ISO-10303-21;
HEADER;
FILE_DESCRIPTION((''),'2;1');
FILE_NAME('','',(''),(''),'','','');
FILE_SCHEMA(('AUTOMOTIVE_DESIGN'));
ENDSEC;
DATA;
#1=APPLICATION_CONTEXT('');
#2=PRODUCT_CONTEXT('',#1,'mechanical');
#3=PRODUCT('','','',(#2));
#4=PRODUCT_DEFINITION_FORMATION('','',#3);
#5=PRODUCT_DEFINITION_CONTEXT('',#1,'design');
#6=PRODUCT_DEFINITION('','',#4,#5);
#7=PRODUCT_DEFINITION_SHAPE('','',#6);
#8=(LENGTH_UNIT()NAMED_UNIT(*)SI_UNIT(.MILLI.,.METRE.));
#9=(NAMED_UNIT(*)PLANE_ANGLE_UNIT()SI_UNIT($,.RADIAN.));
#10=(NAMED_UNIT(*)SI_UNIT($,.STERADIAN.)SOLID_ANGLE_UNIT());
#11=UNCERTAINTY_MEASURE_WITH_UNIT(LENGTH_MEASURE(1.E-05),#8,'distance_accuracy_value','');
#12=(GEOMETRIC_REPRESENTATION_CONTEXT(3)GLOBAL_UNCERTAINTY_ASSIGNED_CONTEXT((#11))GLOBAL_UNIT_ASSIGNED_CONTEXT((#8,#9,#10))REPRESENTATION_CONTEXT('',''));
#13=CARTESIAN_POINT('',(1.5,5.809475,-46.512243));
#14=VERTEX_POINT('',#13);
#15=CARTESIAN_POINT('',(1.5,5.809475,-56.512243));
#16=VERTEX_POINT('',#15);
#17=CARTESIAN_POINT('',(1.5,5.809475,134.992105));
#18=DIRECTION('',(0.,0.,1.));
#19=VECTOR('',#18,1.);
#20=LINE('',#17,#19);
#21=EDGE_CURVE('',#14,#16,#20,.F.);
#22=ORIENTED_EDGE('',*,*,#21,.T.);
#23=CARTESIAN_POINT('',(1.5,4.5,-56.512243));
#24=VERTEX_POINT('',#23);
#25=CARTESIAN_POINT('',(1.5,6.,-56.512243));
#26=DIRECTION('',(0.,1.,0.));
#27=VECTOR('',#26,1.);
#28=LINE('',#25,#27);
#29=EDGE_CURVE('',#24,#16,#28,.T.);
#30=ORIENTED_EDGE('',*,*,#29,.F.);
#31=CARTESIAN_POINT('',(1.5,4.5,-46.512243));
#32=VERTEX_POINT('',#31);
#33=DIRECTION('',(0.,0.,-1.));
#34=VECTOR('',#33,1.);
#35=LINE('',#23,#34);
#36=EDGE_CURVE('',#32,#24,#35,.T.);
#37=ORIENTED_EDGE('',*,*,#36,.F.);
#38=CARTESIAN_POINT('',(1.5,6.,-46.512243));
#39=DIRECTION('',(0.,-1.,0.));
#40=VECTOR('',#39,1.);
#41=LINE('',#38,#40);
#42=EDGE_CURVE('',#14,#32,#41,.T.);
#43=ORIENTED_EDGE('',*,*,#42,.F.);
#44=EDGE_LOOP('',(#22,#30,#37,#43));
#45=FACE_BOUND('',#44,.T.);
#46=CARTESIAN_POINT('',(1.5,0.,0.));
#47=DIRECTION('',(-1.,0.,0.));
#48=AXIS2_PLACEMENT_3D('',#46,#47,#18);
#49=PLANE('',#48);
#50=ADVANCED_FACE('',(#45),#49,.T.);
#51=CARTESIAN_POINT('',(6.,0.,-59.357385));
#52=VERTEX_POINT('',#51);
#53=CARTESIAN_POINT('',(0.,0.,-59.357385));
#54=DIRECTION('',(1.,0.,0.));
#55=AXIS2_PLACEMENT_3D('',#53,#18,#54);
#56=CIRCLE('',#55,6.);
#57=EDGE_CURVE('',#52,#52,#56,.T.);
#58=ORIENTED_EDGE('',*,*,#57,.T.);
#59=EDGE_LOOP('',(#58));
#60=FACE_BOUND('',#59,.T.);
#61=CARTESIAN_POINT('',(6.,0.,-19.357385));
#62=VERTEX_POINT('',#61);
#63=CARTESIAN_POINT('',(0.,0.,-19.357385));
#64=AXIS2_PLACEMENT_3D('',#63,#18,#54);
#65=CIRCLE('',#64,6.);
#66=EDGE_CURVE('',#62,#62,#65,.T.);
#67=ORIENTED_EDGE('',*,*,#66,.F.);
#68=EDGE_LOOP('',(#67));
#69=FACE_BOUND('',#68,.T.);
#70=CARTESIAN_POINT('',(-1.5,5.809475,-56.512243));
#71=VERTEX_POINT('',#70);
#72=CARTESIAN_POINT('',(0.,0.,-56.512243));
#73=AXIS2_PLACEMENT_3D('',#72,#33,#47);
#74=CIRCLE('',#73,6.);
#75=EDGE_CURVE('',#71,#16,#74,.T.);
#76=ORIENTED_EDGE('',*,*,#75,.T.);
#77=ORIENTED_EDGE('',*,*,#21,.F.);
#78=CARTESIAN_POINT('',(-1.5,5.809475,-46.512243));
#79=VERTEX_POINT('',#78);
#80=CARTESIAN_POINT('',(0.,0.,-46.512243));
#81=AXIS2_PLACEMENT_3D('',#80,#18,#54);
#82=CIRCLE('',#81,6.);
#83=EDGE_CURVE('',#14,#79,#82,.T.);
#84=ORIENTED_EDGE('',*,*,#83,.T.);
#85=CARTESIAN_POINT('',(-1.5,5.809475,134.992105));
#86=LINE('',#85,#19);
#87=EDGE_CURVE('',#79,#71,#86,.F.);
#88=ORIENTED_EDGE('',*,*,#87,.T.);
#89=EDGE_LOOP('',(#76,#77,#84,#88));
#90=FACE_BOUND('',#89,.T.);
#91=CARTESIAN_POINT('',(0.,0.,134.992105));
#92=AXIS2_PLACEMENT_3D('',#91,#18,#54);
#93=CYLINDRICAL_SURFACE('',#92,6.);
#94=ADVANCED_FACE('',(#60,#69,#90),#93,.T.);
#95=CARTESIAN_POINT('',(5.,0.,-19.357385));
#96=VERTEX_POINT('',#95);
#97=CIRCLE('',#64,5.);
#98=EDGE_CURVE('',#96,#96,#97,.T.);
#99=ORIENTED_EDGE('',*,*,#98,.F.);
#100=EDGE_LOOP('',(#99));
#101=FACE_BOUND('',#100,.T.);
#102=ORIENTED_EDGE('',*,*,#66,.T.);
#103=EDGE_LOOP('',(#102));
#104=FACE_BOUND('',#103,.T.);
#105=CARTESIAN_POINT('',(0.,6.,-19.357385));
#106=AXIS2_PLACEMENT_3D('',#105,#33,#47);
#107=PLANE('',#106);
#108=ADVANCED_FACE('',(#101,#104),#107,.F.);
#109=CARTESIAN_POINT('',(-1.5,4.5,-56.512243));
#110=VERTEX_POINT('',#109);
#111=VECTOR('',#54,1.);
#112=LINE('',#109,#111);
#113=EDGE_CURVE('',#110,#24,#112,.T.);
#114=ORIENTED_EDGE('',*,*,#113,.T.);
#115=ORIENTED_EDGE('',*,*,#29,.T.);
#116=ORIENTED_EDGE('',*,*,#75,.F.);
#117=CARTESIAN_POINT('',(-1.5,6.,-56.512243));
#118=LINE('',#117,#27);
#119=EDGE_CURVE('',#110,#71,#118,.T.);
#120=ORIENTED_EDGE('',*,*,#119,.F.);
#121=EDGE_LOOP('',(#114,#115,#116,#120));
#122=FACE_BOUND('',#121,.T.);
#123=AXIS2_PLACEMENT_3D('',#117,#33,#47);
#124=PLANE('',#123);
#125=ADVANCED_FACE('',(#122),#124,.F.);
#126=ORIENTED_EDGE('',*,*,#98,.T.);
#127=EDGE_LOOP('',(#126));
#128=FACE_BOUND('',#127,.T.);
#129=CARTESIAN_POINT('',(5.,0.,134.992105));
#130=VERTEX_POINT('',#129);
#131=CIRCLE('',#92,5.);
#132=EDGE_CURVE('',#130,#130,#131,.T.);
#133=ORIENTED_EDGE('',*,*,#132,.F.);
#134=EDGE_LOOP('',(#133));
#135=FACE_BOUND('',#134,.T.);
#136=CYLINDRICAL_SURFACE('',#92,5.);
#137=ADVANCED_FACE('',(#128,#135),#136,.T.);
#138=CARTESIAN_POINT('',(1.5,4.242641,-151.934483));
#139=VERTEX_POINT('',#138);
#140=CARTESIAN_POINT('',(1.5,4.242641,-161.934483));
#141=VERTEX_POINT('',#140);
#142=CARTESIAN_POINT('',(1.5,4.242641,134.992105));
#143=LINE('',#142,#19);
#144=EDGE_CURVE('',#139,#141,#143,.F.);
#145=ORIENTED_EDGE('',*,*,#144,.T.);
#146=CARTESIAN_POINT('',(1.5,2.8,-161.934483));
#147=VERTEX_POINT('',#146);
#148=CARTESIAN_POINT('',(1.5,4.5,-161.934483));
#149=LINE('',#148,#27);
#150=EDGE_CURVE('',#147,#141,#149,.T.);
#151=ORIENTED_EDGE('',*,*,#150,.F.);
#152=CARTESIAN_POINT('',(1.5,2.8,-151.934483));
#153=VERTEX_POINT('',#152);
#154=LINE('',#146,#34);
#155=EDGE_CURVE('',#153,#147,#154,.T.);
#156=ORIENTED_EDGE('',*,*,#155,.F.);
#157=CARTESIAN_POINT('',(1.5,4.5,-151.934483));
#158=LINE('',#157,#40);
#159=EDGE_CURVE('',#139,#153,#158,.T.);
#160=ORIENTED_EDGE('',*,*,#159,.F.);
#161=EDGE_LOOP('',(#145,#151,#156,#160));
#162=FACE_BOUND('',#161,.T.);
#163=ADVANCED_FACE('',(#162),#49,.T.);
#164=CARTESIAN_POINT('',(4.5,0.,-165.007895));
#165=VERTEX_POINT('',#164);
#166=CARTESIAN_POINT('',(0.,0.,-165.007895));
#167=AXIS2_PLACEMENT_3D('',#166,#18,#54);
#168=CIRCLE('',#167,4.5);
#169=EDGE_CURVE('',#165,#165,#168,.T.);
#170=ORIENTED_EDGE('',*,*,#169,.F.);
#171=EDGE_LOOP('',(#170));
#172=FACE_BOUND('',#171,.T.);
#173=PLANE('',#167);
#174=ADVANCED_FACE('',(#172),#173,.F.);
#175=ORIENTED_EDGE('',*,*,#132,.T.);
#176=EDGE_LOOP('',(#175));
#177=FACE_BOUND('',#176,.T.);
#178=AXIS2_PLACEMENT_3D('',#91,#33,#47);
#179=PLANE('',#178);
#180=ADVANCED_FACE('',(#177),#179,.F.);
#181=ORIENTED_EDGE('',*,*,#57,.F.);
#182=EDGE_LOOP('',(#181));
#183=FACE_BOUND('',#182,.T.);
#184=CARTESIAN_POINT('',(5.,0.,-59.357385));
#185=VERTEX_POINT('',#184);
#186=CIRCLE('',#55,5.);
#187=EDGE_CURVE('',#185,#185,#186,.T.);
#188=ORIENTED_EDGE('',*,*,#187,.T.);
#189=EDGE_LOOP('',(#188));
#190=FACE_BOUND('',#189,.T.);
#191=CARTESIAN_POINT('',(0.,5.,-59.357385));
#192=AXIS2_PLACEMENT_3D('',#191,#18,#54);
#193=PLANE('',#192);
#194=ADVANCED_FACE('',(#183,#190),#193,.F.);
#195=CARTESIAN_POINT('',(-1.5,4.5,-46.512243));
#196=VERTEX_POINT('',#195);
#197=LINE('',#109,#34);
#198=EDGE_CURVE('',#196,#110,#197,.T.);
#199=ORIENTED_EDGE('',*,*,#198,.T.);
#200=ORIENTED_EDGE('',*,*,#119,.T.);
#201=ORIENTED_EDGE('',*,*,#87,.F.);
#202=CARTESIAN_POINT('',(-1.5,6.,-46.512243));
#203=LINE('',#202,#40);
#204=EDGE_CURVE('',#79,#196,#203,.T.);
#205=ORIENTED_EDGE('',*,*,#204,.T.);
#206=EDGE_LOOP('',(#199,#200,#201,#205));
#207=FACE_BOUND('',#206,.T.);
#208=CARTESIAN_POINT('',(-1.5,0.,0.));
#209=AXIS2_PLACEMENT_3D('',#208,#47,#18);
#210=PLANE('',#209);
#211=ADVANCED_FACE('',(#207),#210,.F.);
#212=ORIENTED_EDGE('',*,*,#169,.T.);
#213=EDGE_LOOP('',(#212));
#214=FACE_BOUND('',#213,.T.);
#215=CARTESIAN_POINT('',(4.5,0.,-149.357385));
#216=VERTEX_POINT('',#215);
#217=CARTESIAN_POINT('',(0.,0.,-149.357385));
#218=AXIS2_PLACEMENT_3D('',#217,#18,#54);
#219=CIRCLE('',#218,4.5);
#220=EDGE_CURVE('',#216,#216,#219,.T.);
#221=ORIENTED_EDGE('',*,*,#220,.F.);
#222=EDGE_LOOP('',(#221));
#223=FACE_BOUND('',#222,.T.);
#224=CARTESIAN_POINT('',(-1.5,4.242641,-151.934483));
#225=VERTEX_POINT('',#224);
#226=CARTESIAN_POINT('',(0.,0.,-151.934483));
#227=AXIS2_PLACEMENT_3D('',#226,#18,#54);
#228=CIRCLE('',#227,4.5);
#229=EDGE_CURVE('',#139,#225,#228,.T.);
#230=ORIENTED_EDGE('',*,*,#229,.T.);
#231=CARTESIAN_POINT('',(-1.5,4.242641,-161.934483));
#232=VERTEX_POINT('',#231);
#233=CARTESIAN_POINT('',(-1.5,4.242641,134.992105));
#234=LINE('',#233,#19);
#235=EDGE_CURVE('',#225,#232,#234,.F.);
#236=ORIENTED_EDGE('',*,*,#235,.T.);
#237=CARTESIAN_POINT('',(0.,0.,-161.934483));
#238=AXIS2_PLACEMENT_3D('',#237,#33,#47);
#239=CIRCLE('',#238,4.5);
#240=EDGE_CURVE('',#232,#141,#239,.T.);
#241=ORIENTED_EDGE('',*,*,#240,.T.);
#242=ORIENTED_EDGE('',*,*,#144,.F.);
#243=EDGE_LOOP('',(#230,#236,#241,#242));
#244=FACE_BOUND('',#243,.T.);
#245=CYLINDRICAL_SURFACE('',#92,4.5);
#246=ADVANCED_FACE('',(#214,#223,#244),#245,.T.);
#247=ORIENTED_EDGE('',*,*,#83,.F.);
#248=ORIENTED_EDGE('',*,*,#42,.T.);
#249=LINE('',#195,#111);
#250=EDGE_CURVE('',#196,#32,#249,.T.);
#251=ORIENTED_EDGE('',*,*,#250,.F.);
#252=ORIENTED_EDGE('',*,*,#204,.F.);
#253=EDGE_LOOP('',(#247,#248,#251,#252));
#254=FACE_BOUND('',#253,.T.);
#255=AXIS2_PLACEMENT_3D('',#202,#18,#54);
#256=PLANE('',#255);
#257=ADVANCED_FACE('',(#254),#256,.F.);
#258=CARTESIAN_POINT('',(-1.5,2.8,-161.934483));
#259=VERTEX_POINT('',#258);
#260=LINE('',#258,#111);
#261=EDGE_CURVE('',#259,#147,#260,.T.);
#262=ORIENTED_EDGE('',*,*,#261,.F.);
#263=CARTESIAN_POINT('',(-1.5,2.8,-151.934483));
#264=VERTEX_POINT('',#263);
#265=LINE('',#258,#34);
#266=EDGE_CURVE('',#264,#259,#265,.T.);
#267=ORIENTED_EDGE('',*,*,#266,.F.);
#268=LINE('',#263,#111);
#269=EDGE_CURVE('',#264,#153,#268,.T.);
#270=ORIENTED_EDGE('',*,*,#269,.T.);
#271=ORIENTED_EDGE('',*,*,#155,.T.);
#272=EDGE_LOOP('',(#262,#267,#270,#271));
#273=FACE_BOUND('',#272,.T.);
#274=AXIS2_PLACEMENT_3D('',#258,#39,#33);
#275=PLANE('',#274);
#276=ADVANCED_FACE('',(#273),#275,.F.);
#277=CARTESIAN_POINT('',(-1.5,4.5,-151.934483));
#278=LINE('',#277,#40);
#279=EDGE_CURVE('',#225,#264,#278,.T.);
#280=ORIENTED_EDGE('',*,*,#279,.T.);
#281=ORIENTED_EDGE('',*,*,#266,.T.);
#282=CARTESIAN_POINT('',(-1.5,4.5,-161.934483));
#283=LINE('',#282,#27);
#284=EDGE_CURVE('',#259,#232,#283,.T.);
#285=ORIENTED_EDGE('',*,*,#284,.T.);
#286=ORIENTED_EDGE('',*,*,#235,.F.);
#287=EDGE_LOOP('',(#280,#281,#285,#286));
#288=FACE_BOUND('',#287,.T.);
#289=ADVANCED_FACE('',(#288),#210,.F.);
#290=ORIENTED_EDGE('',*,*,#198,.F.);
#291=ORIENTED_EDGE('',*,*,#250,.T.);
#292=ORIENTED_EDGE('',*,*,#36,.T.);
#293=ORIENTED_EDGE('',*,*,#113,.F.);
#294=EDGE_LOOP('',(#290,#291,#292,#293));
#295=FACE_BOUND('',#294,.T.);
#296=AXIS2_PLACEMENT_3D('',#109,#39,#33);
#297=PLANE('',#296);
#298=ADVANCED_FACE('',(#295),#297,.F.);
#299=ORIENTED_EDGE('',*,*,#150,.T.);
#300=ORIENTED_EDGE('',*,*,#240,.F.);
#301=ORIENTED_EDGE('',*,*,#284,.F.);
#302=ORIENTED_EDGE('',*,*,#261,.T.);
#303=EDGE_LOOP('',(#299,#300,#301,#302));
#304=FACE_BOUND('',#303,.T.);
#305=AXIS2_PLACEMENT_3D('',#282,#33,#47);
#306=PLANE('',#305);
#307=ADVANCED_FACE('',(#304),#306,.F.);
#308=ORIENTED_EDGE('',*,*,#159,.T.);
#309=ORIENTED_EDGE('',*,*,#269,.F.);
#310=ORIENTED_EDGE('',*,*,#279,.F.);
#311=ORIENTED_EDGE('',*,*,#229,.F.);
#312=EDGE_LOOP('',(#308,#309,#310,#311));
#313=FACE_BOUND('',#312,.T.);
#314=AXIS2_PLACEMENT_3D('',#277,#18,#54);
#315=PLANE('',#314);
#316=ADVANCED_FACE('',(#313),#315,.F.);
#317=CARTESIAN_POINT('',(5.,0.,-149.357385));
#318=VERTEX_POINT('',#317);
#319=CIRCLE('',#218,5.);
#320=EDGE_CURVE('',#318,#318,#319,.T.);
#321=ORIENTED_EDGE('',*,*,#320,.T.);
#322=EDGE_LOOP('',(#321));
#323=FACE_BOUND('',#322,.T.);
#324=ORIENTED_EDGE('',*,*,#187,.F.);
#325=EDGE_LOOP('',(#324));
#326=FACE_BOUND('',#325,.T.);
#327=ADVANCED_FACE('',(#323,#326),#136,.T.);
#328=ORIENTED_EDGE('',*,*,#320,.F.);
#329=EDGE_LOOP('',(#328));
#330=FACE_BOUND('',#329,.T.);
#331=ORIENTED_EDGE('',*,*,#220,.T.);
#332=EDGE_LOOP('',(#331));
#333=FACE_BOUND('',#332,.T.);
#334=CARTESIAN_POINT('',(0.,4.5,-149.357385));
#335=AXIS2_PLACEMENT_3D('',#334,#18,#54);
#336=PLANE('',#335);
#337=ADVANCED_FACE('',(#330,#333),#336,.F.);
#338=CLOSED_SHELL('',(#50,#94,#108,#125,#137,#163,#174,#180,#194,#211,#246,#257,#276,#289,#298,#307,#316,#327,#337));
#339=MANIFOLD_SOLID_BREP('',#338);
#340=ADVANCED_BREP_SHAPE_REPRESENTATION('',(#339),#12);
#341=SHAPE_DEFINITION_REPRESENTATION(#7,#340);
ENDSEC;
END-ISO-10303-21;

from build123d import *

# Parameters (mm, degrees)
SKETCH7_W          = 10
SKETCH7_H          = 1.5
CUT_EXTRUDE4_DEPTH = 1.5
SKETCH8_W          = 10
SKETCH8_H          = 1.7
CUT_EXTRUDE5_DEPTH = 1.5


with BuildPart() as part:
    # Sketch1 → Revolve1 (revolve)
    with BuildSketch(Plane(origin=(0, 0, 0), x_dir=(0, 0, -1), z_dir=(1, 0, 0)), mode=Mode.PRIVATE) as revolve1_sk:
        Polygon((-134.992104591, 0), (165.007895409, 0), (165.007895409, 4.5), (149.357384883, 4.5), (149.357384883, 5), (59.357384883, 5), (59.357384883, 6), (19.357384883, 6), (19.357384883, 5), (-134.992104591, 5), align=None)
    revolve(revolve1_sk.sketch.rotate(Axis((0, 0, 134.992104591), (0, 0, -1)), 90), axis=Axis((0, 0, 134.992104591), (0, 0, -1)))

    # Sketch7 → Cut-Extrude4 (cut, symmetric)
    with BuildSketch(Plane(origin=(0, 0, 0), x_dir=(0, 0, -1), z_dir=(1, 0, 0))):
        with Locations((51.512242661, 5.25)):
            Rectangle(SKETCH7_W, SKETCH7_H)
    extrude(amount=CUT_EXTRUDE4_DEPTH, both=True, mode=Mode.SUBTRACT)

    # Sketch8 → Cut-Extrude5 (cut, symmetric)
    with BuildSketch(Plane(origin=(0, 0, 0), x_dir=(0, 0, -1), z_dir=(1, 0, 0))):
        with Locations((156.934482796, 3.65)):
            Rectangle(SKETCH8_W, SKETCH8_H)
    extrude(amount=CUT_EXTRUDE5_DEPTH, both=True, mode=Mode.SUBTRACT)


solid = part.part
